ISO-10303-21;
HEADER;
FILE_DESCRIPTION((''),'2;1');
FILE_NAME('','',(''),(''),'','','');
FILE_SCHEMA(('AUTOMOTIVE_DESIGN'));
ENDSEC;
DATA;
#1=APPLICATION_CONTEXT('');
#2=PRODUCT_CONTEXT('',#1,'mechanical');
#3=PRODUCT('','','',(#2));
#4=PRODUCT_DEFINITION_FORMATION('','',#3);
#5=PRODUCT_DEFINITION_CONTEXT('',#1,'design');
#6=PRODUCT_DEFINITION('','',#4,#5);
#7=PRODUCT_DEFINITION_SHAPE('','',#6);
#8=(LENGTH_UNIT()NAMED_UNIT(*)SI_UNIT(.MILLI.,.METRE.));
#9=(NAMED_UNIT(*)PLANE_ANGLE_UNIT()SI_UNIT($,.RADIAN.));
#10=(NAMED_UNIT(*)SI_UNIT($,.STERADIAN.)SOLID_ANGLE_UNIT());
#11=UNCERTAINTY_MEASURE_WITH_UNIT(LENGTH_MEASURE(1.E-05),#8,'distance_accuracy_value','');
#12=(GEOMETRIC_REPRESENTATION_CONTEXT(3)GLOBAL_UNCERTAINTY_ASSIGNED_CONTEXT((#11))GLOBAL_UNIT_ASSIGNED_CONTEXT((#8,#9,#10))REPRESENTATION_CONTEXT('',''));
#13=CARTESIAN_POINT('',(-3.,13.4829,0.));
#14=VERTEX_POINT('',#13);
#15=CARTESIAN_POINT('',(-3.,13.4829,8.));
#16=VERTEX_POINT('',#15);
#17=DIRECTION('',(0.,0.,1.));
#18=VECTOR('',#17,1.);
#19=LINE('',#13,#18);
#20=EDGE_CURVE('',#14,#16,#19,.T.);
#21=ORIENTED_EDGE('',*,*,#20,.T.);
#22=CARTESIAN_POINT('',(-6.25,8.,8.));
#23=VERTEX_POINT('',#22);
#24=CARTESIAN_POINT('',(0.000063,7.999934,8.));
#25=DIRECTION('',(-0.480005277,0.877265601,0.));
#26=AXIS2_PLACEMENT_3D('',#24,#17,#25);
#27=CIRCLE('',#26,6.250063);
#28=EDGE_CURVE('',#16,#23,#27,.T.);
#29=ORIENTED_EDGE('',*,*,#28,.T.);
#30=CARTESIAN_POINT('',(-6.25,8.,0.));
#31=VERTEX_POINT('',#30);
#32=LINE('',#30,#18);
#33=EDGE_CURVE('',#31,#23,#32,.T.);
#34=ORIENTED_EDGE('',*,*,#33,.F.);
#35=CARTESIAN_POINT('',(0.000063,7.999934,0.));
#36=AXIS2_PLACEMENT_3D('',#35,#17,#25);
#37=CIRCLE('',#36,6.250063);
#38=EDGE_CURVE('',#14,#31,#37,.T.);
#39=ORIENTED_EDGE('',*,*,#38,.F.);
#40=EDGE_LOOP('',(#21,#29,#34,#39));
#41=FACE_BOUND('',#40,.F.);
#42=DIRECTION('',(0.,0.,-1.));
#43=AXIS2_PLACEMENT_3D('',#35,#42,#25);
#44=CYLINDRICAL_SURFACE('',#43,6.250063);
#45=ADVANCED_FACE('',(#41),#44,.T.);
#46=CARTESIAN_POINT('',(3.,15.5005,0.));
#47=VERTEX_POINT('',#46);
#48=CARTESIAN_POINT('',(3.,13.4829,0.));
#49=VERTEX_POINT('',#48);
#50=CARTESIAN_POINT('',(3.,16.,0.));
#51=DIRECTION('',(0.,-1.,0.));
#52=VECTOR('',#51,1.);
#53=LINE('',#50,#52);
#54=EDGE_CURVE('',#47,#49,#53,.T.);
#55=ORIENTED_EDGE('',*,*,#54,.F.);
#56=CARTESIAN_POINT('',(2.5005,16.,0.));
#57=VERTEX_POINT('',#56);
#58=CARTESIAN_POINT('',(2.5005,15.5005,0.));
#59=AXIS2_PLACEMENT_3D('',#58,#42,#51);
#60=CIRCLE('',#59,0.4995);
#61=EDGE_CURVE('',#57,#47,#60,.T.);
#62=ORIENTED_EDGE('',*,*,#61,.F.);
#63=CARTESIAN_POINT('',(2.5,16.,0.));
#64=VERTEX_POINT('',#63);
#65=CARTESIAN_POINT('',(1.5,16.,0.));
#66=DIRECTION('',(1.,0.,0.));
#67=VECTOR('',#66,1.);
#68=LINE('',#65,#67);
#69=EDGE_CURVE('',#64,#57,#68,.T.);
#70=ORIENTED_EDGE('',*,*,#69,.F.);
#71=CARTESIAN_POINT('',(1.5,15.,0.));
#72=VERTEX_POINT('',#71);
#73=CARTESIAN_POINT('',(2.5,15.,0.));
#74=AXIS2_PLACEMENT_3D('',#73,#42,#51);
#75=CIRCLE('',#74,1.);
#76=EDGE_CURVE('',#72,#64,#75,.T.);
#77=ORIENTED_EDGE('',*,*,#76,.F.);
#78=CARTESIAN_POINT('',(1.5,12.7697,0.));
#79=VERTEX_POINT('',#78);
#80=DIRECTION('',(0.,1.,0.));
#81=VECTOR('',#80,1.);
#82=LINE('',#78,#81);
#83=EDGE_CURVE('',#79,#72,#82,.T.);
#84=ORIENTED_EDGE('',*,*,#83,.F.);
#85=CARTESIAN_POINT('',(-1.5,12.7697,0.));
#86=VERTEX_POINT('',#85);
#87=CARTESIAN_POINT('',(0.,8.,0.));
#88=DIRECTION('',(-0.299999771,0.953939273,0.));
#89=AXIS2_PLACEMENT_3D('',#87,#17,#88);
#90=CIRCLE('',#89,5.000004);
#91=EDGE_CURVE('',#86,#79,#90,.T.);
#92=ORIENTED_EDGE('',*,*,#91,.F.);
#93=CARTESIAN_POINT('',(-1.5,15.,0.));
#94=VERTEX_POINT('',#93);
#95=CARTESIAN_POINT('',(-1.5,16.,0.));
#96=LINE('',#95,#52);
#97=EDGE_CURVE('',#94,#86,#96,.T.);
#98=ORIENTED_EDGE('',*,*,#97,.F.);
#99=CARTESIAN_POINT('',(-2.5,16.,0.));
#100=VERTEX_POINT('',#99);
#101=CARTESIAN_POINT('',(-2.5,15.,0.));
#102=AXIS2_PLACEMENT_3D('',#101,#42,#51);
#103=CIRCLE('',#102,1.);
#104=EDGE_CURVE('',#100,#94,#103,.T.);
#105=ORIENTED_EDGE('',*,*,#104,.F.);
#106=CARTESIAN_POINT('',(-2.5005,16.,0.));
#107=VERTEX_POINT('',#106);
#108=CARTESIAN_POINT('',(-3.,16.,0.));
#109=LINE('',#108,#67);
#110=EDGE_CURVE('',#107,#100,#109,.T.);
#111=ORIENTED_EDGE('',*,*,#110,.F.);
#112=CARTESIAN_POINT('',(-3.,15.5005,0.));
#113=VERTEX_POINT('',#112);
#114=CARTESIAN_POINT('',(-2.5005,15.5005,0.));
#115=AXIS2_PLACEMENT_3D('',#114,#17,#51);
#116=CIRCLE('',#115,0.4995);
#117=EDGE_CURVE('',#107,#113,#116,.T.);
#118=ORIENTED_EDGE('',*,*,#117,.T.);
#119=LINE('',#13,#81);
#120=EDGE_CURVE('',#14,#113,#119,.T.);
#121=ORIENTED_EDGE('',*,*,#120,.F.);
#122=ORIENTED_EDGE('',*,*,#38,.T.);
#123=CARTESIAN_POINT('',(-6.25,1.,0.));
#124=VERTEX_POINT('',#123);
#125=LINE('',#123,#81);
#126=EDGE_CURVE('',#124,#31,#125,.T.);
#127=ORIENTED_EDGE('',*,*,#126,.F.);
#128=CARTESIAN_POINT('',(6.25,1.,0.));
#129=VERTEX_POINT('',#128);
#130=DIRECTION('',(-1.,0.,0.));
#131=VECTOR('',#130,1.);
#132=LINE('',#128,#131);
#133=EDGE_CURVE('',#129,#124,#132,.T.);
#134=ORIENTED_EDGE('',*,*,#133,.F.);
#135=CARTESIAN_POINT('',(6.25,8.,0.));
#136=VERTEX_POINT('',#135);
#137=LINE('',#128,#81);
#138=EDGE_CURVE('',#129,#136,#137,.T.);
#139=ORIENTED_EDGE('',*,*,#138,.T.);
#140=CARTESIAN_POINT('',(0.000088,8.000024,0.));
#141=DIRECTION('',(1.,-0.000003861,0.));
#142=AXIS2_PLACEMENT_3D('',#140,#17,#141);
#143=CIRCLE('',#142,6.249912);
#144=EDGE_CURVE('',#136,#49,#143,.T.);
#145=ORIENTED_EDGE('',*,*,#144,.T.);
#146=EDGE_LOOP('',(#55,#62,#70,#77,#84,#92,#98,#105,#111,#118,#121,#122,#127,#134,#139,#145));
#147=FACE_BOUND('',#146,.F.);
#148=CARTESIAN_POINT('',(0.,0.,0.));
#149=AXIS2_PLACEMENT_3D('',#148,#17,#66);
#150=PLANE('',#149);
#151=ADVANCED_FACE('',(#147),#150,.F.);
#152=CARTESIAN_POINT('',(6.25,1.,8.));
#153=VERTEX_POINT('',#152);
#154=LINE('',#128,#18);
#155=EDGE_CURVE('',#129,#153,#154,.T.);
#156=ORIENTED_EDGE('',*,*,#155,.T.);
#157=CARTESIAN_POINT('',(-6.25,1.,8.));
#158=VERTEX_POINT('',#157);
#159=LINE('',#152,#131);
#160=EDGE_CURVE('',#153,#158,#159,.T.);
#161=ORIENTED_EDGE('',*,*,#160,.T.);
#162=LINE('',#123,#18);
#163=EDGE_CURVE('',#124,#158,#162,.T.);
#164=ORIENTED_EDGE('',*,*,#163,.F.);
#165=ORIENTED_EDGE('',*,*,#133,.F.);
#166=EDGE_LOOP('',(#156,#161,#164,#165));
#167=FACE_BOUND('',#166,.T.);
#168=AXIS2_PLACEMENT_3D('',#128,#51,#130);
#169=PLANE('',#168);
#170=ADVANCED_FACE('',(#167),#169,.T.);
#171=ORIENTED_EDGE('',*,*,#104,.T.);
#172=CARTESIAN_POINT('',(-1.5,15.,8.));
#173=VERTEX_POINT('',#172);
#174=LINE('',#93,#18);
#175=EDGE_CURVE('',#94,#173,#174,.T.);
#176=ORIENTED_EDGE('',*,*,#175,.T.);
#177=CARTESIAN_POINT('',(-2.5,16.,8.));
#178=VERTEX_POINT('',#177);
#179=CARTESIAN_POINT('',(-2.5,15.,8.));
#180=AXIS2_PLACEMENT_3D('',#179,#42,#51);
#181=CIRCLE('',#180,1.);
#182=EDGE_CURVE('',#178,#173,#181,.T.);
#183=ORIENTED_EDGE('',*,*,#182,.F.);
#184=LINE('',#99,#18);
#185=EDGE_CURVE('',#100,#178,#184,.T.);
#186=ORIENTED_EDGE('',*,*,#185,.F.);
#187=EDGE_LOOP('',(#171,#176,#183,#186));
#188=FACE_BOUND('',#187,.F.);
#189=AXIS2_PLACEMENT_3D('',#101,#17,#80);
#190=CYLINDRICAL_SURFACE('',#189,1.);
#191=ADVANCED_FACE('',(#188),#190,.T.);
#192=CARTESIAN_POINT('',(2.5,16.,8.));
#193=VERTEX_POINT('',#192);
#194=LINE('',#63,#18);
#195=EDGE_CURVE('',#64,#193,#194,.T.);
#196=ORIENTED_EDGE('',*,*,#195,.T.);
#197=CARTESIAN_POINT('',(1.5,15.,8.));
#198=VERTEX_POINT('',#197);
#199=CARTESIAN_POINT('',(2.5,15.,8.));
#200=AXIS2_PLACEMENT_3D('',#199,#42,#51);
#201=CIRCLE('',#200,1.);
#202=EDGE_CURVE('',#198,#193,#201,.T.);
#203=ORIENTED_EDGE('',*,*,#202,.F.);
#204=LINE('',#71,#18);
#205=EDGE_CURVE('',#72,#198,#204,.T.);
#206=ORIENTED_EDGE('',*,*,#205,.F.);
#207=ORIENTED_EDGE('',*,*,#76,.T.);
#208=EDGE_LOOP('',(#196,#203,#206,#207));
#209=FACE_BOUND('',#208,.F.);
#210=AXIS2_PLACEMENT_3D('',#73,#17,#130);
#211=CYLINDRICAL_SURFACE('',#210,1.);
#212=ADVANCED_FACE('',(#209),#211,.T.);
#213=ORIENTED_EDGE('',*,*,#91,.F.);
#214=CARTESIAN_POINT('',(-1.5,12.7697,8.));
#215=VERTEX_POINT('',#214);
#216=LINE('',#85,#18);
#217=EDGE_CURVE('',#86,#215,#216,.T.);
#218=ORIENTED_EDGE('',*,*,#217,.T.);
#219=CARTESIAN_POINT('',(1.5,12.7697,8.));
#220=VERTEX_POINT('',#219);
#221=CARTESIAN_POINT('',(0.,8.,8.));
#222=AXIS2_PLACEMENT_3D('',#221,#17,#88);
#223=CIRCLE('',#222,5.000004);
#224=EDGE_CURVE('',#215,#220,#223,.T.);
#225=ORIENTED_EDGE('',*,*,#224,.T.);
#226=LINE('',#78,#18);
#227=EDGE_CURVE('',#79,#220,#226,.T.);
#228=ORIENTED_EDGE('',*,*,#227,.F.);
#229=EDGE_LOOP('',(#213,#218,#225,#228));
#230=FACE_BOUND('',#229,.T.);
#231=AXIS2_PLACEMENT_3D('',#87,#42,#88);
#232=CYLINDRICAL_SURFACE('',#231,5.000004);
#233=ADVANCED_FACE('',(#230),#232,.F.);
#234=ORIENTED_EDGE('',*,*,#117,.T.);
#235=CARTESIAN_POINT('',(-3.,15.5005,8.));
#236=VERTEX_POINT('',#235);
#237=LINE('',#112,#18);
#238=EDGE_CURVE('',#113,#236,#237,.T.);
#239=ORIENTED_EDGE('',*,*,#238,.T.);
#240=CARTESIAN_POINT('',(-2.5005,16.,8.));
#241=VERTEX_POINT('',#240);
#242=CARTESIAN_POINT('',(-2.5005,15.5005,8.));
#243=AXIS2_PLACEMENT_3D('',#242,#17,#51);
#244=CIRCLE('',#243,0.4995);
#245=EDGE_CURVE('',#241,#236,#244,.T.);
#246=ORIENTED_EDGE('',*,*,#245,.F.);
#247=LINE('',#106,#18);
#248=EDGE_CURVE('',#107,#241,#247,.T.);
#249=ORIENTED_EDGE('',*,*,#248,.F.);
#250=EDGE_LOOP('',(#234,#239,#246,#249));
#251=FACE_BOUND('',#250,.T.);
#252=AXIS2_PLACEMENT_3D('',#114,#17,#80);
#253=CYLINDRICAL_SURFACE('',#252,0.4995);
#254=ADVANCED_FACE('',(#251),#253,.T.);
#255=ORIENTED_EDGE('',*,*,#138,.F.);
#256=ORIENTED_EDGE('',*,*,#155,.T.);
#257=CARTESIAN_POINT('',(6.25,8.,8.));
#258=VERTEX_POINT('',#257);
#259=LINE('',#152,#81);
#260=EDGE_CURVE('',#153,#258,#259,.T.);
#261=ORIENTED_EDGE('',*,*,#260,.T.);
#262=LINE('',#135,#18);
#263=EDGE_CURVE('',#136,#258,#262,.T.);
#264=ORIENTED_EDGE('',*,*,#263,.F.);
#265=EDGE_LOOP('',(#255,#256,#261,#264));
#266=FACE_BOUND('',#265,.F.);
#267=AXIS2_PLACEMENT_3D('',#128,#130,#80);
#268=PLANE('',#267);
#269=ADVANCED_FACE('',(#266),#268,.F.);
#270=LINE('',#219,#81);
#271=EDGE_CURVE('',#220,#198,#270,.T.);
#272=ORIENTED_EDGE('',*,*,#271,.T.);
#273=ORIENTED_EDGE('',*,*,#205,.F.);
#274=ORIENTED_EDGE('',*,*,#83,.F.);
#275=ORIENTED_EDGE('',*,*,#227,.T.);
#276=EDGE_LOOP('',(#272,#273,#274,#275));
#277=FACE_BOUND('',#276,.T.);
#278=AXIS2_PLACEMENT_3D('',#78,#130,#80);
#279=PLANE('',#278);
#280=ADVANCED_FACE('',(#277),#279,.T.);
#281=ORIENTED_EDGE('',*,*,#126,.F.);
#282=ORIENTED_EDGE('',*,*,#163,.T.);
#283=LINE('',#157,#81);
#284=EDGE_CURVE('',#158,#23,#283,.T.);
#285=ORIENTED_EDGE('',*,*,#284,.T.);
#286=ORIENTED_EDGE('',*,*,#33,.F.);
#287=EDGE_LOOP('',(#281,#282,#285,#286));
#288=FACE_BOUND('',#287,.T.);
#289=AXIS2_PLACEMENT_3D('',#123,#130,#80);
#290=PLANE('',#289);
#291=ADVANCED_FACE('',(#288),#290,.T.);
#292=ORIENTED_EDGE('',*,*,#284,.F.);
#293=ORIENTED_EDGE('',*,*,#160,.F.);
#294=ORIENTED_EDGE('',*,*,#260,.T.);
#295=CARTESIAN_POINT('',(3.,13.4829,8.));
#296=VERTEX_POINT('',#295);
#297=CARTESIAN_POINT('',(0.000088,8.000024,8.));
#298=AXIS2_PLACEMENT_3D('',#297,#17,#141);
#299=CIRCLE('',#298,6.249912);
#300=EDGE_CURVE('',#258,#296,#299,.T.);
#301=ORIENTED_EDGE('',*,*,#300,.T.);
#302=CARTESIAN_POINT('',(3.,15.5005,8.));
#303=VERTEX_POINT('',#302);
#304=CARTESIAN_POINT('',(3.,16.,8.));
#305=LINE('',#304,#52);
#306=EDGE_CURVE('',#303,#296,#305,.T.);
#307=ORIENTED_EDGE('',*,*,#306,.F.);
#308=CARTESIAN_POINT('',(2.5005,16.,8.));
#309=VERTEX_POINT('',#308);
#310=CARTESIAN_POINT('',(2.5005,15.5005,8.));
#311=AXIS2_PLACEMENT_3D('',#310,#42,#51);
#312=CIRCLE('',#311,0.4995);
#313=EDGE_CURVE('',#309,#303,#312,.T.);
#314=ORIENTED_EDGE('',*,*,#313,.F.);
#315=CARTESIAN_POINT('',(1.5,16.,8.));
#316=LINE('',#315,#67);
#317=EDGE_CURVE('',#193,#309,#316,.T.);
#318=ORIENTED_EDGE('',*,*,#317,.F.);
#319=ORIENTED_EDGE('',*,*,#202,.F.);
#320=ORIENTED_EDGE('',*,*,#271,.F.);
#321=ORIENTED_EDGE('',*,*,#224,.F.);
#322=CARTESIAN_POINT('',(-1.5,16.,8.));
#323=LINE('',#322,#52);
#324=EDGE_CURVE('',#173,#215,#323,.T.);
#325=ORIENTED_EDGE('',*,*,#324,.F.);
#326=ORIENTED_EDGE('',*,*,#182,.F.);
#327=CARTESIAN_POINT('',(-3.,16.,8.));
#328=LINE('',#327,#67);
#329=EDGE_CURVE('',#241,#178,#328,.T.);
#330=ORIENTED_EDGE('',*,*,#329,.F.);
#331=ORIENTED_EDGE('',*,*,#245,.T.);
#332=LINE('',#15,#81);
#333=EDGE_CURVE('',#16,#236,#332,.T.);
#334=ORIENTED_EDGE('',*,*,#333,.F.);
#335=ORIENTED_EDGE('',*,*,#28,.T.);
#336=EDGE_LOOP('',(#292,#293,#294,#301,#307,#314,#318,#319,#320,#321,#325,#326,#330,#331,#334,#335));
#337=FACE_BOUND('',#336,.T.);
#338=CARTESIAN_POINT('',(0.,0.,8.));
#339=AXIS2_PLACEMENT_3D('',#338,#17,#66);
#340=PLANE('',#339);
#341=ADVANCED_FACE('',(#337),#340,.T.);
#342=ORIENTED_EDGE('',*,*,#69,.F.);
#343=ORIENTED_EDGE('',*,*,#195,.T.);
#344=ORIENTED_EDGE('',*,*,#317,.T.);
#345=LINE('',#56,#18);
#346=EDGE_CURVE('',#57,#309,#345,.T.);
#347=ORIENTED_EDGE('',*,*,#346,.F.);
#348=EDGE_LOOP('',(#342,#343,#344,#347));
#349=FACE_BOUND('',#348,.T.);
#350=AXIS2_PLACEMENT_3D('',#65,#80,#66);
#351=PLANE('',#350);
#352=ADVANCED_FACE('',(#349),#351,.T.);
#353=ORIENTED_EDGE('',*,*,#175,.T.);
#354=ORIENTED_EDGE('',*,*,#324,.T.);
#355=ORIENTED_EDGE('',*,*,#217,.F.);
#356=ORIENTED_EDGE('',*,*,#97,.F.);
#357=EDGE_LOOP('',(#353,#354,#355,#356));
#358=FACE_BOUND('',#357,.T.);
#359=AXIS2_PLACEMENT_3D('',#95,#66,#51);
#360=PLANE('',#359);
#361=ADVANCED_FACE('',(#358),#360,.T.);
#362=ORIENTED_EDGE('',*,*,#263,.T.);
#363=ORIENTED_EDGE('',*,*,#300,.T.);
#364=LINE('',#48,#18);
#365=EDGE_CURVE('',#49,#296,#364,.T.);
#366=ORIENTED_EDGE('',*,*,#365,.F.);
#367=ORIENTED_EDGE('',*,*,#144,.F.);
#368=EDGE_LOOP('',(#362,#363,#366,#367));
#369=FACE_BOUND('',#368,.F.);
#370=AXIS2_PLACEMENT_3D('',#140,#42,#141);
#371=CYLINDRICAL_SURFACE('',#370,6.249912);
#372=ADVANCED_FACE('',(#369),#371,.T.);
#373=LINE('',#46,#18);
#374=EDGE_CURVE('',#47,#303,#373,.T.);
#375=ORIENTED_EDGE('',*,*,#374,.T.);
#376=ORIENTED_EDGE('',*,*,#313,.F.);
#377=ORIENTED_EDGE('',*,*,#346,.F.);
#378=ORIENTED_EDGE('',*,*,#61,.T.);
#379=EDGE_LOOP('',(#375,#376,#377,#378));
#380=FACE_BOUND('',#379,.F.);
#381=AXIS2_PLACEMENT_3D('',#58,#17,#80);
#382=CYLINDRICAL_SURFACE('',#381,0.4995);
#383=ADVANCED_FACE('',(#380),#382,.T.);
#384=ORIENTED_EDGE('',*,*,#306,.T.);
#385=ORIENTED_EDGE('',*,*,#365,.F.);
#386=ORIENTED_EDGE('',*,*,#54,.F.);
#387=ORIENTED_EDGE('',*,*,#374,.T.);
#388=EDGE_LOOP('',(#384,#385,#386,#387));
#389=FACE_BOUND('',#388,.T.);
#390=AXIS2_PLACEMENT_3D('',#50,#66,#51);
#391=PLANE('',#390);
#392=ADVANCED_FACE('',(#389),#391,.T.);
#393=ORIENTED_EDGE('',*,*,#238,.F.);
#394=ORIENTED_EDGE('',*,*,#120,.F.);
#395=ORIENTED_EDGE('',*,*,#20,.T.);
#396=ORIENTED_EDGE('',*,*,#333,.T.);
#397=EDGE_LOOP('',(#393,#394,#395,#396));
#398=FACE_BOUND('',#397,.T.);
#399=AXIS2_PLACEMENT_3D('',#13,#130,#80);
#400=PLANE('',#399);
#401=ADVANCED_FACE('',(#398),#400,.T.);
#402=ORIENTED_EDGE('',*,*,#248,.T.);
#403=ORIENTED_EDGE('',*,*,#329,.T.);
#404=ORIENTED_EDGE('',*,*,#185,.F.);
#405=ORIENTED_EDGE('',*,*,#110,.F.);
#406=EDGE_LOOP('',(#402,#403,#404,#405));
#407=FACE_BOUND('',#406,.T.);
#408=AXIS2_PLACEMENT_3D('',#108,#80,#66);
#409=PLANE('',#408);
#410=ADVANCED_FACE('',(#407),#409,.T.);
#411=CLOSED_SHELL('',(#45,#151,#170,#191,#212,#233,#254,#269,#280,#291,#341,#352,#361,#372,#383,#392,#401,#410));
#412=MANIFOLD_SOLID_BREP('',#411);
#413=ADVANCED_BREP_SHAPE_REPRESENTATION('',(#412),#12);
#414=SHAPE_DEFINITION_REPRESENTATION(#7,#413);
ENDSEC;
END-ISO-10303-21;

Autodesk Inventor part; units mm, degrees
ref_plane "YZ Plane" through (0, 0, 0) normal (1, 0, 0) x (0, 1, 0)
ref_plane "XZ Plane" through (0, 0, 0) normal (0, 1, 0) x (-1, 0, 0)
ref_plane "XY Plane" through (0, 0, 0) normal (0, 0, 1) x (1, 0, 0)
sketch "Sketch3" plane through (0, 0, 0) normal (0, 0, 1) x (1, 0, 0)
  line L0 (-6.25, 1) -> (-6.25, 8)
  line L1 (6.25, 1) -> (6.25, 8)
  arc A0 (-1.5, 12.7697) -> (1.5, 12.7697) centre (0, 8) ccw
  line L2 (-3, 13.4829) -> (-3, 16)
  line L3 (-3, 16) -> (-1.5, 16)
  line L4 (1.5, 16) -> (3, 16)
  line L5 (3, 16) -> (3, 13.4829)
  arc A1 (-3, 13.4829) -> (-6.25, 8) centre (0, 8) ccw
  arc A2 (6.25, 8) -> (3, 13.4829) centre (0, 8) ccw
  line L6 (6.25, 1) -> (-6.25, 1)
  line L7 (-1.5, 16) -> (-1.5, 12.7697)
  line L8 (1.5, 12.7697) -> (1.5, 16)
  point P0 (0, 0)
  dimension "d10" = 10
  dimension "d12" = 8
  dimension "d13" = 1.5
  dimension "d21" = 1.25
  dimension "d22" = 1.25
  dimension "d24" = 7
  dimension "d25" = 8
  dimension "d26" = 3
extrude "Extrusion1" add sketch "Sketch3" along normal blind 8
fillet "Fillet1" radius 1 2 edges at (-1.5, 16, 4) (1.5, 16, 4)
fillet "Fillet2" radius 0.5 2 edges at (3, 16, 4) (-3, 16, 4)
properties part number "WireClip10"
